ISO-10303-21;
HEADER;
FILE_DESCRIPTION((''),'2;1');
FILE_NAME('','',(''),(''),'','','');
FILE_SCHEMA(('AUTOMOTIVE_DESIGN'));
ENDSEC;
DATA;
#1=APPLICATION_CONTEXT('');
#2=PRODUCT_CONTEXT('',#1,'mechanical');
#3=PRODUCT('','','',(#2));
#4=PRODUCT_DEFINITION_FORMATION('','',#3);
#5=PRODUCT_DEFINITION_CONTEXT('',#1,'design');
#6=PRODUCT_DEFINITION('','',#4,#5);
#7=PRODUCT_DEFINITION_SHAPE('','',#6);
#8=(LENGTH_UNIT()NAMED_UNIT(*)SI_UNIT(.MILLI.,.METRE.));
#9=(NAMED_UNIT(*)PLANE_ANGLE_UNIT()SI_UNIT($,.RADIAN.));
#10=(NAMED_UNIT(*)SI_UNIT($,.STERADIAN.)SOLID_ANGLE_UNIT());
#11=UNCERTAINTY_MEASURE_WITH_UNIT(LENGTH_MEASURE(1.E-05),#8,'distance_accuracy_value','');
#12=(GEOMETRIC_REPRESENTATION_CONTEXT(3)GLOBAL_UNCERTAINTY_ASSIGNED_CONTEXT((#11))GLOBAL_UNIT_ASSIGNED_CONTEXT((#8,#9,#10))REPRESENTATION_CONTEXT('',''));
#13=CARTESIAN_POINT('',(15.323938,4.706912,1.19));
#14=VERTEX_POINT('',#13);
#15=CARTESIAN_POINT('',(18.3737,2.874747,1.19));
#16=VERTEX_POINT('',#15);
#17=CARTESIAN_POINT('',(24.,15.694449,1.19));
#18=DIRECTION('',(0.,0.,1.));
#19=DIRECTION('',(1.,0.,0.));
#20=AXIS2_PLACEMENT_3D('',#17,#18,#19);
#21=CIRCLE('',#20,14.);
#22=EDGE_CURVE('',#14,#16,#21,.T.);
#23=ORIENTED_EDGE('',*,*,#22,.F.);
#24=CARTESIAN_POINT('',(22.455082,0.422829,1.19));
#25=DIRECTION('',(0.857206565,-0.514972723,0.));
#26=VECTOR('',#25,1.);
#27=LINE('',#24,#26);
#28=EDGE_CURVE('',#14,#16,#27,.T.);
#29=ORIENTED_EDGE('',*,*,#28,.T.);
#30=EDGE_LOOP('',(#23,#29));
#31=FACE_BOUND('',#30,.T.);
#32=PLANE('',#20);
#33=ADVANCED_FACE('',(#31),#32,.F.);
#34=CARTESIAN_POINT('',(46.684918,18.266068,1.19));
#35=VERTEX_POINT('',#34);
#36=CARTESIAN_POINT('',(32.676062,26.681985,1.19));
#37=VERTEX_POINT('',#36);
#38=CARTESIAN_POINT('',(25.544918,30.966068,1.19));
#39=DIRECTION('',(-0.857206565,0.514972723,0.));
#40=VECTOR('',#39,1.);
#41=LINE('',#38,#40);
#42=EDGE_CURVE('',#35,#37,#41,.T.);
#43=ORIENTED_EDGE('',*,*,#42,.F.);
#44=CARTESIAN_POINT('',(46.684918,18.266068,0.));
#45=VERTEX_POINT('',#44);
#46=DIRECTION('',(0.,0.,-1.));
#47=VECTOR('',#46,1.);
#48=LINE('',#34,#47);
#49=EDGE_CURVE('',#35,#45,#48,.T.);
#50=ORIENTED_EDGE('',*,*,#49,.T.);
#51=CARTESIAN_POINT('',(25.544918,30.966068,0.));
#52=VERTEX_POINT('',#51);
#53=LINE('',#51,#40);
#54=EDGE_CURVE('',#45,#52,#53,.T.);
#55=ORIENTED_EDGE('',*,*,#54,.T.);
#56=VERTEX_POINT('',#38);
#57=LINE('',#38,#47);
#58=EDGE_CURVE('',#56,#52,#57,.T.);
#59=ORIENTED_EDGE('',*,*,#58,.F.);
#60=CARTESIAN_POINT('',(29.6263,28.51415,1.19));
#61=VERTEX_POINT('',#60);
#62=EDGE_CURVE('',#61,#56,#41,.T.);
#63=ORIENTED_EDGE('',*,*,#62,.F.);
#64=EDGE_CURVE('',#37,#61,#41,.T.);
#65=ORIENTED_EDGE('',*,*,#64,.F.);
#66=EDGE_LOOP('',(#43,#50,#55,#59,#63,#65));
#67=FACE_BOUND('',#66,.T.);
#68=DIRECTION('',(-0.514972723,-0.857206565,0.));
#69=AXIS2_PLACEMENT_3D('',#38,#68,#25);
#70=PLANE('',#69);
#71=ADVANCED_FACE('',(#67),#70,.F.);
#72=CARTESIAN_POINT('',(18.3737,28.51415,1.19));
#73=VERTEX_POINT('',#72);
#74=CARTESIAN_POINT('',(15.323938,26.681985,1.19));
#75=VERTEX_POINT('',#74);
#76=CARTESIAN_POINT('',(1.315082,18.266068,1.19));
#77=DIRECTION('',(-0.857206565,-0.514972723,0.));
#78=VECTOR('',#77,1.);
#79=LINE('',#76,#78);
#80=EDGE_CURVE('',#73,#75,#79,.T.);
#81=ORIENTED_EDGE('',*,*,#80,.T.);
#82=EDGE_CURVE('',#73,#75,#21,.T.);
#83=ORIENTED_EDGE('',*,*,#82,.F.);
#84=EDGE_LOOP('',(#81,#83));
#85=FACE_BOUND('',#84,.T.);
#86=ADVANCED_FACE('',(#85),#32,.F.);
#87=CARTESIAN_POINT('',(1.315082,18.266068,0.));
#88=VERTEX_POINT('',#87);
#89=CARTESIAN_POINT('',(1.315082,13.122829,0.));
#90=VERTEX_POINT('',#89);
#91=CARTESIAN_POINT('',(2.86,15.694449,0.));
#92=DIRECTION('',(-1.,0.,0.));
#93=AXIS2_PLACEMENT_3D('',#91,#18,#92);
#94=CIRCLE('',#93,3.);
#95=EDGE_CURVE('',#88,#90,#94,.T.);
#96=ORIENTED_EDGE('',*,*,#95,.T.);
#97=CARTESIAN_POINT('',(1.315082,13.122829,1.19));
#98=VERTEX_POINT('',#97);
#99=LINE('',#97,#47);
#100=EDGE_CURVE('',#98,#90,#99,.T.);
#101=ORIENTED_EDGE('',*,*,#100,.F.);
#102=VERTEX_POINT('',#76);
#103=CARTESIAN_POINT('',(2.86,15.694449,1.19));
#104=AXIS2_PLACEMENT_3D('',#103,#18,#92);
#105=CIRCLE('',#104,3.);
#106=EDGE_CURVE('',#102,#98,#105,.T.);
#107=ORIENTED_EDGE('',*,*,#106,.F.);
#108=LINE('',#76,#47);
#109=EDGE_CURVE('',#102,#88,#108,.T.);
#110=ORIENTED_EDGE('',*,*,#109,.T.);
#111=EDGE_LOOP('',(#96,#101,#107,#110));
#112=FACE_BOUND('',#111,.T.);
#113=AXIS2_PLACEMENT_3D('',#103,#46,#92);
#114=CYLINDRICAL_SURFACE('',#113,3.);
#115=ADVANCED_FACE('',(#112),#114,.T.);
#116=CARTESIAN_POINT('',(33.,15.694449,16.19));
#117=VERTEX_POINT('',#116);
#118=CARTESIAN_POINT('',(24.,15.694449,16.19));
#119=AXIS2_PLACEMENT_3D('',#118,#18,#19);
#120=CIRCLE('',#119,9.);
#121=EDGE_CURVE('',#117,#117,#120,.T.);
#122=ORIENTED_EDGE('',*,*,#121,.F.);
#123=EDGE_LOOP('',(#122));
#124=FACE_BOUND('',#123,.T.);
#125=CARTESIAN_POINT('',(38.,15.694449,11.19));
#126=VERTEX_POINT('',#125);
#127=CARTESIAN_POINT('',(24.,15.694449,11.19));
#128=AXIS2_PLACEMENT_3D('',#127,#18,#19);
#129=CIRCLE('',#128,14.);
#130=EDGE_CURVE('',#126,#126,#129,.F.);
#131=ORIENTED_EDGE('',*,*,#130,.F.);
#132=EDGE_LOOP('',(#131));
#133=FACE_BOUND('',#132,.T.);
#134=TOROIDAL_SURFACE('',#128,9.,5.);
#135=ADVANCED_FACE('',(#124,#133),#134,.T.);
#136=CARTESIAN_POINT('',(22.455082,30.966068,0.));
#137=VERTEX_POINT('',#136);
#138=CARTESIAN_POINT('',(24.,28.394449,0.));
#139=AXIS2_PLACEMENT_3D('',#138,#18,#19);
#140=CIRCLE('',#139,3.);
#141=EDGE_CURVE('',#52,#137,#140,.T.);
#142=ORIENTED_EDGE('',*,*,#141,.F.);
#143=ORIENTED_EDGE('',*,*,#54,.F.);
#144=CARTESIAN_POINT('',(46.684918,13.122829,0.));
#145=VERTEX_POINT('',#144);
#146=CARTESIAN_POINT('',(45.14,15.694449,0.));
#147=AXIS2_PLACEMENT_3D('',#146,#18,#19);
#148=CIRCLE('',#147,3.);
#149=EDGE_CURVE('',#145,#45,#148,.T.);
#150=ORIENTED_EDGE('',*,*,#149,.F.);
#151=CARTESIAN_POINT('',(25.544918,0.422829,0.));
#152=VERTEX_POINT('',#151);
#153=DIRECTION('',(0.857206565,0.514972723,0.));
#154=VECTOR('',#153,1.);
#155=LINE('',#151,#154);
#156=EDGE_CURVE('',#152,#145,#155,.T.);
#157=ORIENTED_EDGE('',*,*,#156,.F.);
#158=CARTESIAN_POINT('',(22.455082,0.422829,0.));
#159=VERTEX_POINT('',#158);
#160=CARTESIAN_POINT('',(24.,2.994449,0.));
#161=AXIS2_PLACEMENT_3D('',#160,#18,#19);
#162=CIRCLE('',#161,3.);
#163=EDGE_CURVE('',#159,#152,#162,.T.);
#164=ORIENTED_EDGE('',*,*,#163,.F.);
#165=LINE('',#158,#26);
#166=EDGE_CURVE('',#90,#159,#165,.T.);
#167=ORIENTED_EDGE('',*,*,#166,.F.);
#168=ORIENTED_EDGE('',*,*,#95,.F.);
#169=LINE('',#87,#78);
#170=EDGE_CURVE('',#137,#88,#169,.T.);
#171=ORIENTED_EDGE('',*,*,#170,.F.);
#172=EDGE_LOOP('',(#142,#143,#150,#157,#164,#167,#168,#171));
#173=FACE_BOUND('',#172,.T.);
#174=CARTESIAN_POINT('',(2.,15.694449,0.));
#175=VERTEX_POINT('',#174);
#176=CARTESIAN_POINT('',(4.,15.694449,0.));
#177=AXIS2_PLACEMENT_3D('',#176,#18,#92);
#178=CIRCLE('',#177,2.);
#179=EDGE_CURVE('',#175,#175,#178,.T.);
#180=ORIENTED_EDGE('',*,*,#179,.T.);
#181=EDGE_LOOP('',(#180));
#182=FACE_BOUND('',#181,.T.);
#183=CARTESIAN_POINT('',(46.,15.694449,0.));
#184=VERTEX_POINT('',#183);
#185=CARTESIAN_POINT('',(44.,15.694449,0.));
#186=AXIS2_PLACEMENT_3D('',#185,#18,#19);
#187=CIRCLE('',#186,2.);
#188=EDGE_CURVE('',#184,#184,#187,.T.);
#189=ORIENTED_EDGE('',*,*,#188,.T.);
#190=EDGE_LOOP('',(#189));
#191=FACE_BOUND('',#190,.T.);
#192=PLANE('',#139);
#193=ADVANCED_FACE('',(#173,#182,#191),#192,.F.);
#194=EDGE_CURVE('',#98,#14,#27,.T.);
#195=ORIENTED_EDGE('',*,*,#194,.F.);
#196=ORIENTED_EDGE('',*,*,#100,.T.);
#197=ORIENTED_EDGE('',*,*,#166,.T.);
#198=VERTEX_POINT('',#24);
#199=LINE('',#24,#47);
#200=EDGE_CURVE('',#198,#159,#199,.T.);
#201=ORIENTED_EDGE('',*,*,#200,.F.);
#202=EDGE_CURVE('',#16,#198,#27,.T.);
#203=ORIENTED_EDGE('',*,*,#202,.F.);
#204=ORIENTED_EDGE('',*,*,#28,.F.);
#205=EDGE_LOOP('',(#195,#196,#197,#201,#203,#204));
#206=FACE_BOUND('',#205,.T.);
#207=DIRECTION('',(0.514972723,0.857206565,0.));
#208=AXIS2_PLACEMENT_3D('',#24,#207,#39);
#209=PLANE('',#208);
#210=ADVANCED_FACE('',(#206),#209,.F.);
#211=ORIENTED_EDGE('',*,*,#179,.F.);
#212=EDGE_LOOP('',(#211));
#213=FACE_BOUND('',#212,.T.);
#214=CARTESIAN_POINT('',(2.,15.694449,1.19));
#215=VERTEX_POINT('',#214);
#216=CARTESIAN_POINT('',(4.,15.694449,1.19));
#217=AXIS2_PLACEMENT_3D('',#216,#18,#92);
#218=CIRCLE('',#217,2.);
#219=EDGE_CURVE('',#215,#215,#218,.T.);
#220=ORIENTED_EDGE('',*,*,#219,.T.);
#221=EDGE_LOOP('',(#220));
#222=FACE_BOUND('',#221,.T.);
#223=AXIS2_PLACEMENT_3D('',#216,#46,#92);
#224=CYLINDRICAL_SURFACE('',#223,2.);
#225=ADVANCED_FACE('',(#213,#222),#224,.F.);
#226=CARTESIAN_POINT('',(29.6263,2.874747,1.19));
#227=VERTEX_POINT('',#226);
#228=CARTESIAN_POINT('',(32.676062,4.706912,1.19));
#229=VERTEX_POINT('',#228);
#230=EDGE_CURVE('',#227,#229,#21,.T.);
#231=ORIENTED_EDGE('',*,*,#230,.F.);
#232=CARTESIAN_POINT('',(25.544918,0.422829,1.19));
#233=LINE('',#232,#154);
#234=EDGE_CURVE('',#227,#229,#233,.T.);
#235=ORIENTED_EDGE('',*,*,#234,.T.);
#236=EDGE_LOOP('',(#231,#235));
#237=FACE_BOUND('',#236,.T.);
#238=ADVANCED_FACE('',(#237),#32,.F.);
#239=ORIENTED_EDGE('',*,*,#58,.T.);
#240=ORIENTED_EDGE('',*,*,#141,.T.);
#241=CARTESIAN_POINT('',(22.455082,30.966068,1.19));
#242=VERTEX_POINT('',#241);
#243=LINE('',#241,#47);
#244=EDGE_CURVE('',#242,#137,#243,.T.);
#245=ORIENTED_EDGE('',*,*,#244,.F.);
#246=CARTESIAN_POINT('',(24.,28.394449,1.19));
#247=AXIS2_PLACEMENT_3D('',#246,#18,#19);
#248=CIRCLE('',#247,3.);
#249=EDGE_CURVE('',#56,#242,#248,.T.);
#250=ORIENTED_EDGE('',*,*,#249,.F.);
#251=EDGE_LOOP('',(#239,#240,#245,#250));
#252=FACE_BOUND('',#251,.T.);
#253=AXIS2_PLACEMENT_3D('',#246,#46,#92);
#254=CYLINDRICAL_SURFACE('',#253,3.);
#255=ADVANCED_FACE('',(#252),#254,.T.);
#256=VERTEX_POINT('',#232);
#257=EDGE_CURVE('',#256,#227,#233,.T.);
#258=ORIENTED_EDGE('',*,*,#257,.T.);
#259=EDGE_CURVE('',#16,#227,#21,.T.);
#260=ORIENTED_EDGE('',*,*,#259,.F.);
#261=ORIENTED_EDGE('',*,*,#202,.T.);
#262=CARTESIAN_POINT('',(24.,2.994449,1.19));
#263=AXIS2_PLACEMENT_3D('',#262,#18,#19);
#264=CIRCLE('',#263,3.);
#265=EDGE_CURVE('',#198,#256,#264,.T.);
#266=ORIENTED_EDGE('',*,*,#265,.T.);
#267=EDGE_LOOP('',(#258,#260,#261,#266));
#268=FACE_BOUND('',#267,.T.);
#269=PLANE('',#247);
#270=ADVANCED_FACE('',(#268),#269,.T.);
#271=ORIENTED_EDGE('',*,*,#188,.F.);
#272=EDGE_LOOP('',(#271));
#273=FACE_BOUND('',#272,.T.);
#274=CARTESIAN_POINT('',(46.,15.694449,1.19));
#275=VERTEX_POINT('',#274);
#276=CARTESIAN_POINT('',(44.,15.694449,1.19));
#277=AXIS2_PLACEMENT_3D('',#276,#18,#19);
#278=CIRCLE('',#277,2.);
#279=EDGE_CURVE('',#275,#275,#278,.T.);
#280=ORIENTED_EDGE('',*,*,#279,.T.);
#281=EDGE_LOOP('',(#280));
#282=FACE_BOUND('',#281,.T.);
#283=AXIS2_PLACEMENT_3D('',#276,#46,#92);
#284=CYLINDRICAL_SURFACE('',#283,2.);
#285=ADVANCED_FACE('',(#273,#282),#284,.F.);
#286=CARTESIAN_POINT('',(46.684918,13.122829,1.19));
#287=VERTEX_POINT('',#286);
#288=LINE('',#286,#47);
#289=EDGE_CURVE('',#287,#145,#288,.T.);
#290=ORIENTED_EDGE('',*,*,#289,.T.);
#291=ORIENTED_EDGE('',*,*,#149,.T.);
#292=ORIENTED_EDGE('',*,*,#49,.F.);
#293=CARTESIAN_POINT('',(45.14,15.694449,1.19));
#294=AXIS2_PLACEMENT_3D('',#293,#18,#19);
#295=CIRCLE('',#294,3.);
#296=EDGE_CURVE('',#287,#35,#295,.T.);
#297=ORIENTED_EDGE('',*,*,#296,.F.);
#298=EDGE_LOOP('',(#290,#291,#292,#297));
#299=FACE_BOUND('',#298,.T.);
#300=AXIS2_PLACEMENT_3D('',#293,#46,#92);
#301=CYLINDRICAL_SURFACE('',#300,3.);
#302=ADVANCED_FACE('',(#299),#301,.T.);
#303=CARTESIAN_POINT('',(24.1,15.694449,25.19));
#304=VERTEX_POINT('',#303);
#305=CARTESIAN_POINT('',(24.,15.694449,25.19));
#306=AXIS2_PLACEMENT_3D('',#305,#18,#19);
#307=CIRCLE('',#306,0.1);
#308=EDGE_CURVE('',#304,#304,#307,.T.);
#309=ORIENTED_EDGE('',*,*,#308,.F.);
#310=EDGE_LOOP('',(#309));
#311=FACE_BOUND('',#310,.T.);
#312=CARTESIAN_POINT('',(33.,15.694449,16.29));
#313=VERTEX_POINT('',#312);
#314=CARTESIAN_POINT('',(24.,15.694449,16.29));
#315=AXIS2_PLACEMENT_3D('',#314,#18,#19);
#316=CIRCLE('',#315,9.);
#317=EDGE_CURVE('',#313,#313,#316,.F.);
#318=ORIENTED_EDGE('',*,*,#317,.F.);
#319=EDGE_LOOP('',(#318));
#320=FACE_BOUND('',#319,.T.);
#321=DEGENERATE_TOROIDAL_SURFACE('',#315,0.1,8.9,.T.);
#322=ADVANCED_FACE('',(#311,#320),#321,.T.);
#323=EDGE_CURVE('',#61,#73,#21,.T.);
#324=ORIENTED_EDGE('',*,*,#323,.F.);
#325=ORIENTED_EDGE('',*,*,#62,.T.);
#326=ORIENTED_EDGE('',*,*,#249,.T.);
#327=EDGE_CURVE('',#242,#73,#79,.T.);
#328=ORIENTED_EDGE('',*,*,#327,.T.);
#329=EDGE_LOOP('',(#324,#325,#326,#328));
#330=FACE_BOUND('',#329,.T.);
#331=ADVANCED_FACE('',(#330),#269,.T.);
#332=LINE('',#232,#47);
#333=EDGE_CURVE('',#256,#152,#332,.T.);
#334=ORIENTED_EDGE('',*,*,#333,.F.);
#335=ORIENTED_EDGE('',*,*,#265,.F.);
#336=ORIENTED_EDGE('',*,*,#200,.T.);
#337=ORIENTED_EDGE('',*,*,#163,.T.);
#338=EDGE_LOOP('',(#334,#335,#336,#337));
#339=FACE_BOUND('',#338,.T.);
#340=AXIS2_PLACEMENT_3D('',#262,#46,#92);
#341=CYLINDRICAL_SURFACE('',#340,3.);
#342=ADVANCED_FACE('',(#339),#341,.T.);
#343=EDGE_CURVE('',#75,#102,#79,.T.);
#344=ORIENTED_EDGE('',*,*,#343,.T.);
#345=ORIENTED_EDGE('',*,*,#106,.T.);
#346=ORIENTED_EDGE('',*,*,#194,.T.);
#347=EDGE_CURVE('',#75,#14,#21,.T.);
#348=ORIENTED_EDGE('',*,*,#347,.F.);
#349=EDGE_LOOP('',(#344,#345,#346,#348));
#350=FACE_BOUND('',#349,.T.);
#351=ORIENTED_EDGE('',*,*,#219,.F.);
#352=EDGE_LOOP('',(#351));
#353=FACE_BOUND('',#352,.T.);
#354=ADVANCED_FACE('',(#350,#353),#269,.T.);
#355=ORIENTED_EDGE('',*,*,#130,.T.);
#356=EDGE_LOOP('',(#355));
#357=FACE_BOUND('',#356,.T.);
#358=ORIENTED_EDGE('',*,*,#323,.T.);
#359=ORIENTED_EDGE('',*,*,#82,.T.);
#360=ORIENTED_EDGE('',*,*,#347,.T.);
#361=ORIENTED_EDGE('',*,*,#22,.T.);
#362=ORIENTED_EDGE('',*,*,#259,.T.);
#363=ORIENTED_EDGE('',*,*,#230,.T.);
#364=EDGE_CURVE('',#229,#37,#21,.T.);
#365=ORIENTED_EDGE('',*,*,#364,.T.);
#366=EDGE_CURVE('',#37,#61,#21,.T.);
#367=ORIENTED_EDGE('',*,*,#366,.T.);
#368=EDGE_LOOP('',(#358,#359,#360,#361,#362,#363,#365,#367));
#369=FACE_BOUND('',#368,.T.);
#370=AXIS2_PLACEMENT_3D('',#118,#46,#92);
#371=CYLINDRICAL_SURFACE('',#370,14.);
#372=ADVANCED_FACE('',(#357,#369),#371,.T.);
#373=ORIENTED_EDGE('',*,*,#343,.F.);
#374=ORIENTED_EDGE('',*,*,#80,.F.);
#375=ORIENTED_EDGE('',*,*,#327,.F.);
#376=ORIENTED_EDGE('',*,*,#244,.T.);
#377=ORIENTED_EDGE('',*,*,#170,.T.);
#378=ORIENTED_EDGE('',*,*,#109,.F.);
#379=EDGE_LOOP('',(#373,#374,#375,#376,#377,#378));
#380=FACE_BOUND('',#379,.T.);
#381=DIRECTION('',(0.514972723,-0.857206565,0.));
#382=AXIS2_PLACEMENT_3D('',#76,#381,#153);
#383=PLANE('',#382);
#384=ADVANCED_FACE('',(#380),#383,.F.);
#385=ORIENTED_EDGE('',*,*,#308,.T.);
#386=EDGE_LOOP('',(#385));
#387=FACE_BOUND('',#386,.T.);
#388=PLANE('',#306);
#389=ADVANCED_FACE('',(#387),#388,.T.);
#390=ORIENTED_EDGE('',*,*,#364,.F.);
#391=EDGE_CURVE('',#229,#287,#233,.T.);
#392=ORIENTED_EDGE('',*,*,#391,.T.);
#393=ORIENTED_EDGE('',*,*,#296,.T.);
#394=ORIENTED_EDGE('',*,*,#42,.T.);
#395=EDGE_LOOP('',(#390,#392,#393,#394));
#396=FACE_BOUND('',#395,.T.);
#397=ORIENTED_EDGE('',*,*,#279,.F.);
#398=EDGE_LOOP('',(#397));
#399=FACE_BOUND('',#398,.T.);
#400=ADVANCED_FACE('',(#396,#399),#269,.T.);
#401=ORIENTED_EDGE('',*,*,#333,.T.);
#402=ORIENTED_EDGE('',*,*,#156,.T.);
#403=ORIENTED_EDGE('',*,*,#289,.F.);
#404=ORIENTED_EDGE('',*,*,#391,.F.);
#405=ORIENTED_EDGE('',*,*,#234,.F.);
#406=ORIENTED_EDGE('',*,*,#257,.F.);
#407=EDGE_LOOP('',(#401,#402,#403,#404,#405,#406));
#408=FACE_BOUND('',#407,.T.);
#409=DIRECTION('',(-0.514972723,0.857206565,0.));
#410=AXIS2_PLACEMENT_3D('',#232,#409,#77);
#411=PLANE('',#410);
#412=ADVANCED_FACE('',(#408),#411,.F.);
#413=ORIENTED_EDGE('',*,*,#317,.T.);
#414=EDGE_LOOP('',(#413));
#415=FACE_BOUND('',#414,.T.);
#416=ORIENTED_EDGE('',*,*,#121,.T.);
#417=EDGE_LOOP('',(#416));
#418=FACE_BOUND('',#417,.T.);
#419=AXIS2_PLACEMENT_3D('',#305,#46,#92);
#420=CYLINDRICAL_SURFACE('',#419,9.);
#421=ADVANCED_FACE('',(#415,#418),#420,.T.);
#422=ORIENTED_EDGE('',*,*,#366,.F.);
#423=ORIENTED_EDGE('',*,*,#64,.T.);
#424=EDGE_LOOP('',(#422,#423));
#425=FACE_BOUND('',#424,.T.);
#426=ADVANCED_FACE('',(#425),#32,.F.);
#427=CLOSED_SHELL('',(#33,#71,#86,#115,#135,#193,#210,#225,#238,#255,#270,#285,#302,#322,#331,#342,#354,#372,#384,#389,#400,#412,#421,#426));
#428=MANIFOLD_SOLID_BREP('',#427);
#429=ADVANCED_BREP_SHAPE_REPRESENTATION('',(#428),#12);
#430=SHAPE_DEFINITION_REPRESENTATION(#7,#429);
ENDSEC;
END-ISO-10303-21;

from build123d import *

# Parameters (mm, degrees)
ESQUISSE1_R        = 2
BOSS_EXTRU_1_DEPTH = 1.19
ESQUISSE2_R        = 14
BOSS_EXTRU_2_DEPTH = 15
CONG_1_R           = 5
ESQUISSE3_R        = 9
BOSS_EXTRU_3_DEPTH = 9
CONG_2_R           = 8.9


with BuildPart() as part:
    # Esquisse1 → Boss.-Extru.1 (new body)
    with BuildSketch(Plane.XY):
        with BuildLine():
            Line((1.31508183, 18.266068418), (22.45508183, 30.966068418))
            ThreePointArc((22.45508183, 30.966068418), (24, 31.394448725), (25.54491817, 30.966068418))
            Line((25.54491817, 30.966068418), (46.68491817, 18.266068418))
            ThreePointArc((46.68491817, 18.266068418), (48.14, 15.694448725), (46.68491817, 13.122829031))
            Line((46.68491817, 13.122829031), (25.54491817, 0.422829031))
            ThreePointArc((25.54491817, 0.422829031), (24, -0.005551275), (22.45508183, 0.422829031))
            Line((22.45508183, 0.422829031), (1.31508183, 13.122829031))
            ThreePointArc((1.31508183, 13.122829031), (-0.14, 15.694448725), (1.31508183, 18.266068418))
        make_face()
        with Locations((44, 15.694448725)):
            Circle(ESQUISSE1_R, mode=Mode.SUBTRACT)
        with Locations(Location((4, 15.694448725, 0), (0, 0, 180))):
            Circle(ESQUISSE1_R, mode=Mode.SUBTRACT)
    extrude(amount=BOSS_EXTRU_1_DEPTH)

    # Esquisse2 → Boss.-Extru.2 (add)
    with BuildSketch(Plane.XY.offset(1.19)):
        with Locations(Location((24, 15.694448725, 0), (0, 0, 231.704406007))):
            Circle(ESQUISSE2_R)
    extrude(amount=BOSS_EXTRU_2_DEPTH)

    # Congé1
    cong_1_edges = [part.edges().sort_by_distance(p)[0] for p in [
        (32.676061537, 26.681985128, 16.19),
    ]]
    fillet(cong_1_edges, radius=CONG_1_R)

    # Esquisse3 → Boss.-Extru.3 (add)
    with BuildSketch(Plane.XY.offset(16.19)):
        with Locations((24, 15.694448725)):
            Circle(ESQUISSE3_R)
    extrude(amount=BOSS_EXTRU_3_DEPTH)

    # Congé2
    cong_2_edges = [part.edges().sort_by_distance(p)[0] for p in [
        (15, 15.694448725, 25.19),
    ]]
    fillet(cong_2_edges, radius=CONG_2_R)


solid = part.part
